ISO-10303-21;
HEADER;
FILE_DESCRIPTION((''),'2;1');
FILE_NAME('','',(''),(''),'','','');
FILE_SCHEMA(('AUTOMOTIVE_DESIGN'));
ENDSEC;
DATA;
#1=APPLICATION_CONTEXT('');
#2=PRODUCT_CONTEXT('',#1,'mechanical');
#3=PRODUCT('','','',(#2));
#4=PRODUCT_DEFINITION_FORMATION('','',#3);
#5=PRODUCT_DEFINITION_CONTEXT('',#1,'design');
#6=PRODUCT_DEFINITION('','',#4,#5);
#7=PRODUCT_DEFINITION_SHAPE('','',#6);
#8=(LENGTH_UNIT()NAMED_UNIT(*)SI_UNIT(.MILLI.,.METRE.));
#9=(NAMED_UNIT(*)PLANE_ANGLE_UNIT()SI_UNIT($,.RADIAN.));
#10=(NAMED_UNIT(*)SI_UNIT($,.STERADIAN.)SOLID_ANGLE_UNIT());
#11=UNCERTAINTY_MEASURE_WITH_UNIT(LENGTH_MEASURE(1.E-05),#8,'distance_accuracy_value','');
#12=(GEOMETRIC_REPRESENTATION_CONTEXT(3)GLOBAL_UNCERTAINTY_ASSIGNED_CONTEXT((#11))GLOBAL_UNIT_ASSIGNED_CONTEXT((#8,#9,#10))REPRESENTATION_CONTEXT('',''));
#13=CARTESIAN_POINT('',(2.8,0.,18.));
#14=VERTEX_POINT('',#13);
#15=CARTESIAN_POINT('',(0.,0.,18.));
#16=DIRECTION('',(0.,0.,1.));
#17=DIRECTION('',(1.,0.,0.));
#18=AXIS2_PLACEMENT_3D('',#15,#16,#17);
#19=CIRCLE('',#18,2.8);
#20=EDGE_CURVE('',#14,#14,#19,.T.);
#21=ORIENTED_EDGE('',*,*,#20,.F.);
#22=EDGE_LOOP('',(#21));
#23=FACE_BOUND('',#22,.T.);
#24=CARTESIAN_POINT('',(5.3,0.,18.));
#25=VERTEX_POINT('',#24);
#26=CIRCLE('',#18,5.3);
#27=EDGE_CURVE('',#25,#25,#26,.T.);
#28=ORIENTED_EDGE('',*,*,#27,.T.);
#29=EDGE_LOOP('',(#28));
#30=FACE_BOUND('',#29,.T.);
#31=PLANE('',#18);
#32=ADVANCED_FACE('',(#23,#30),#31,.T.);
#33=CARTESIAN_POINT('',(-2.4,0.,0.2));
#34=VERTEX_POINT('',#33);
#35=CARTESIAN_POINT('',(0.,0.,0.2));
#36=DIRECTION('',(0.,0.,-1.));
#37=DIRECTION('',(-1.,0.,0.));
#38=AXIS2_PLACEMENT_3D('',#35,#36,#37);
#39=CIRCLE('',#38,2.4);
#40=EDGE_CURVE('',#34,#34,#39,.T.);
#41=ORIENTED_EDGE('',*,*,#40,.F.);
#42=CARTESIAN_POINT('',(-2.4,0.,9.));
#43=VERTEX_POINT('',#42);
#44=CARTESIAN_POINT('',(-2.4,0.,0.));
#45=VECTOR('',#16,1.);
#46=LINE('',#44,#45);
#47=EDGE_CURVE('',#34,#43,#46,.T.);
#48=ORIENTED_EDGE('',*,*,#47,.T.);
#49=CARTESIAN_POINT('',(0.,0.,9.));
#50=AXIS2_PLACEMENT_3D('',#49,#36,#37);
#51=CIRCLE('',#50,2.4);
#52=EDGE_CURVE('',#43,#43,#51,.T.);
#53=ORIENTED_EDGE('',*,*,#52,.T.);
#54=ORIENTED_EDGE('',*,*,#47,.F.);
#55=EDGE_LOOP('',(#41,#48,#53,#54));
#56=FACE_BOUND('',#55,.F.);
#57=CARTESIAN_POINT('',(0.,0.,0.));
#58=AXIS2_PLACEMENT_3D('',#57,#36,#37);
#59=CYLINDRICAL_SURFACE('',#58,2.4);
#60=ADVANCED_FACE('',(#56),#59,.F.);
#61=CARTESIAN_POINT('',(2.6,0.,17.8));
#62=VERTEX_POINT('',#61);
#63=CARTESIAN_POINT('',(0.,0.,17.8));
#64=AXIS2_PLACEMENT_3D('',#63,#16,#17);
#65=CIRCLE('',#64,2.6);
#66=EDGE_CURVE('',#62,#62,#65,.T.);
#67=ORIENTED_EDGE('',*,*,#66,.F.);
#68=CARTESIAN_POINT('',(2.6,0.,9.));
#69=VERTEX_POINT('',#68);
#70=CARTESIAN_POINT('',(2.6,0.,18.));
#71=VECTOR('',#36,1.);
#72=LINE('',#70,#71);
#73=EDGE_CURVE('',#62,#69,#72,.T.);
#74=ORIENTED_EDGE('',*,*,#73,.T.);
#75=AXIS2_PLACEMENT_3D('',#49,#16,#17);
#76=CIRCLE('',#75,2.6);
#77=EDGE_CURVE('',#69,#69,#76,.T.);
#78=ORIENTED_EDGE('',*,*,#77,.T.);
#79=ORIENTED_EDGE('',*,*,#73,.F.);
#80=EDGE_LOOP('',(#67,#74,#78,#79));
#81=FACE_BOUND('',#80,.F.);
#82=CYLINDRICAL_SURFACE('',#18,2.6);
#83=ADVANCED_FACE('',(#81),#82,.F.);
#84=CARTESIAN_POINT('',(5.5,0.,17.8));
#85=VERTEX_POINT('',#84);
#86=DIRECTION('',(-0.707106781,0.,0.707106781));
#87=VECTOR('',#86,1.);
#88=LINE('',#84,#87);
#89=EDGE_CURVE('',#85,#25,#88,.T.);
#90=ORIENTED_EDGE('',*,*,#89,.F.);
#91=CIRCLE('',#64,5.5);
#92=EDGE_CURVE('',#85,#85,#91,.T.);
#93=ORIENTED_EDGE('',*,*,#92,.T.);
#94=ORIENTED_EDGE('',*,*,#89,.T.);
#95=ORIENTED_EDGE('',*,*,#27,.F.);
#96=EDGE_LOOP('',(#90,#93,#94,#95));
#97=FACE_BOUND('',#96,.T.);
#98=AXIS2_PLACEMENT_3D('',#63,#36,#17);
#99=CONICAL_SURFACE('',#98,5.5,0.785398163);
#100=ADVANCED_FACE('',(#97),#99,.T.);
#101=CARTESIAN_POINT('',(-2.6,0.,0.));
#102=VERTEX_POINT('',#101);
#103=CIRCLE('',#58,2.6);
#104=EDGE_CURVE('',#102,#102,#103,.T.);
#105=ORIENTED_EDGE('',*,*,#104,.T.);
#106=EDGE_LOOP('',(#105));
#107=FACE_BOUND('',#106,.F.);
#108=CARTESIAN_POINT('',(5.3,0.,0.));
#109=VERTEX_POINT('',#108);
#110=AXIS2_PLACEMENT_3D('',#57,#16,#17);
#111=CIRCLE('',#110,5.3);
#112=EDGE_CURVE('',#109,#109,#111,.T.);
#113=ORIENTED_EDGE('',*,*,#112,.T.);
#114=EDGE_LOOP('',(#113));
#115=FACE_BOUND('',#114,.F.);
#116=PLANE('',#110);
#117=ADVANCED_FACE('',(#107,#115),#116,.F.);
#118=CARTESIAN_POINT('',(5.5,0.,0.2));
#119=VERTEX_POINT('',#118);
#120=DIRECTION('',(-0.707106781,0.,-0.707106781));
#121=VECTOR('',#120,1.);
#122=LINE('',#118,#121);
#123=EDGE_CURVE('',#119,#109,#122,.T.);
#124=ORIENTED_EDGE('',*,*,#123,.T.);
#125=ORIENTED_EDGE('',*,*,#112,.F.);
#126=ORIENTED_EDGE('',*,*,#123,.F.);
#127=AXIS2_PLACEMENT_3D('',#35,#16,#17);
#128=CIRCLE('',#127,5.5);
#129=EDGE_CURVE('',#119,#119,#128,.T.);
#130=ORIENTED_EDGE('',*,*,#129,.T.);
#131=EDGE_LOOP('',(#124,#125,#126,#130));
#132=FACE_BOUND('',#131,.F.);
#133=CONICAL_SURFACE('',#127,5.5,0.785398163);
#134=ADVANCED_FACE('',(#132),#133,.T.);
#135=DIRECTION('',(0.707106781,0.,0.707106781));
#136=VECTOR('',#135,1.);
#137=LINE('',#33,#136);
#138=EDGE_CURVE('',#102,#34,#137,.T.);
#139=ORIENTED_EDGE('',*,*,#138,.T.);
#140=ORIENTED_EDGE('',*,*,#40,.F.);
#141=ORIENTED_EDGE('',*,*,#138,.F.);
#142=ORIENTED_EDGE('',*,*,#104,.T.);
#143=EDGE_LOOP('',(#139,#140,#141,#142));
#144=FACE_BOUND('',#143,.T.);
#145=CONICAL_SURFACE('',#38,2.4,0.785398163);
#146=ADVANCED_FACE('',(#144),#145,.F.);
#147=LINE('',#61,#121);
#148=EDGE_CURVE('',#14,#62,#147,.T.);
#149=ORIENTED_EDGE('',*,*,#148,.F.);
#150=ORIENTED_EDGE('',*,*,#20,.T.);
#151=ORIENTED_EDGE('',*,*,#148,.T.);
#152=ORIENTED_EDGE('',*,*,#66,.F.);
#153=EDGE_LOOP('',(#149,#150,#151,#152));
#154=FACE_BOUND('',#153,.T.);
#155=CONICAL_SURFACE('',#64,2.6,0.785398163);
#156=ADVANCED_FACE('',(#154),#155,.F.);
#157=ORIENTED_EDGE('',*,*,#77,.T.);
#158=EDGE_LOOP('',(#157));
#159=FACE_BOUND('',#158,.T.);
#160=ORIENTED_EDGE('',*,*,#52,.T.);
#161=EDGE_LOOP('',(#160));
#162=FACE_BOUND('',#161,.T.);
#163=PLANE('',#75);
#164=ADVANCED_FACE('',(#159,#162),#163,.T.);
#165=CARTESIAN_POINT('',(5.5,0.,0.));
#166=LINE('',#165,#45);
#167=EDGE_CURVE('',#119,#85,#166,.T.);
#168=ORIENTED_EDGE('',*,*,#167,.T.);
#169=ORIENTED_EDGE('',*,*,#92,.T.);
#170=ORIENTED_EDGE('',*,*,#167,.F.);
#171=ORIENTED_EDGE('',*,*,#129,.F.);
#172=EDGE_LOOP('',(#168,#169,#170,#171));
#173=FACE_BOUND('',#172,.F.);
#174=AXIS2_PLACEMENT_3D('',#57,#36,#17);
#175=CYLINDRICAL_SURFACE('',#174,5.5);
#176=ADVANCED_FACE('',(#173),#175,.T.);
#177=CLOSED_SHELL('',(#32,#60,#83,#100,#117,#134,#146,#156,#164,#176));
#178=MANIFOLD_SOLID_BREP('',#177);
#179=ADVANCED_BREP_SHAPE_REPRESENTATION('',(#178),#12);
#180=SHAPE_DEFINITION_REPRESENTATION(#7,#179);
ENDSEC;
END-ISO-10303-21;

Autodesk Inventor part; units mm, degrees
ref_plane "YZ Plane" through (0, 0, 0) normal (1, 0, 0) x (0, 1, 0)
ref_plane "XZ Plane" through (0, 0, 0) normal (0, 1, 0) x (-1, 0, 0)
ref_plane "XY Plane" through (0, 0, 0) normal (0, 0, 1) x (1, 0, 0)
sketch "Szkic1" plane through (0, 0, 0) normal (0, 0, 1) x (1, 0, 0)
  circle A0 centre (0, 0) radius 5.5
  dimension "d0" = 11
extrude "Wyciągnięcie proste1" add sketch "Szkic1" along normal blind 18
sketch "Szkic2" plane through (0, 0, 18) normal (0, 0, 1) x (1, 0, 0)
  circle A0 centre (0, 0) radius 2.6
  dimension "d3" = 5.2
extrude "Wyciągnięcie proste2" cut sketch "Szkic2" against normal blind 9
sketch "Szkic3" plane through (0, 0, 0) normal (0, 0, -1) x (-1, 0, 0)
  circle A0 centre (0, 0) radius 2.4
  dimension "d6" = 4.8
extrude "Wyciągnięcie proste3" cut sketch "Szkic3" against normal blind 9
chamfer "Faza1" distance 0.2 angle 45 4 edges at (-5.5, 0, 18) (-5.5, 0, 0) (2.4, 0, 0) (-2.6, 0, 18)
properties part number "wheel_tube"
